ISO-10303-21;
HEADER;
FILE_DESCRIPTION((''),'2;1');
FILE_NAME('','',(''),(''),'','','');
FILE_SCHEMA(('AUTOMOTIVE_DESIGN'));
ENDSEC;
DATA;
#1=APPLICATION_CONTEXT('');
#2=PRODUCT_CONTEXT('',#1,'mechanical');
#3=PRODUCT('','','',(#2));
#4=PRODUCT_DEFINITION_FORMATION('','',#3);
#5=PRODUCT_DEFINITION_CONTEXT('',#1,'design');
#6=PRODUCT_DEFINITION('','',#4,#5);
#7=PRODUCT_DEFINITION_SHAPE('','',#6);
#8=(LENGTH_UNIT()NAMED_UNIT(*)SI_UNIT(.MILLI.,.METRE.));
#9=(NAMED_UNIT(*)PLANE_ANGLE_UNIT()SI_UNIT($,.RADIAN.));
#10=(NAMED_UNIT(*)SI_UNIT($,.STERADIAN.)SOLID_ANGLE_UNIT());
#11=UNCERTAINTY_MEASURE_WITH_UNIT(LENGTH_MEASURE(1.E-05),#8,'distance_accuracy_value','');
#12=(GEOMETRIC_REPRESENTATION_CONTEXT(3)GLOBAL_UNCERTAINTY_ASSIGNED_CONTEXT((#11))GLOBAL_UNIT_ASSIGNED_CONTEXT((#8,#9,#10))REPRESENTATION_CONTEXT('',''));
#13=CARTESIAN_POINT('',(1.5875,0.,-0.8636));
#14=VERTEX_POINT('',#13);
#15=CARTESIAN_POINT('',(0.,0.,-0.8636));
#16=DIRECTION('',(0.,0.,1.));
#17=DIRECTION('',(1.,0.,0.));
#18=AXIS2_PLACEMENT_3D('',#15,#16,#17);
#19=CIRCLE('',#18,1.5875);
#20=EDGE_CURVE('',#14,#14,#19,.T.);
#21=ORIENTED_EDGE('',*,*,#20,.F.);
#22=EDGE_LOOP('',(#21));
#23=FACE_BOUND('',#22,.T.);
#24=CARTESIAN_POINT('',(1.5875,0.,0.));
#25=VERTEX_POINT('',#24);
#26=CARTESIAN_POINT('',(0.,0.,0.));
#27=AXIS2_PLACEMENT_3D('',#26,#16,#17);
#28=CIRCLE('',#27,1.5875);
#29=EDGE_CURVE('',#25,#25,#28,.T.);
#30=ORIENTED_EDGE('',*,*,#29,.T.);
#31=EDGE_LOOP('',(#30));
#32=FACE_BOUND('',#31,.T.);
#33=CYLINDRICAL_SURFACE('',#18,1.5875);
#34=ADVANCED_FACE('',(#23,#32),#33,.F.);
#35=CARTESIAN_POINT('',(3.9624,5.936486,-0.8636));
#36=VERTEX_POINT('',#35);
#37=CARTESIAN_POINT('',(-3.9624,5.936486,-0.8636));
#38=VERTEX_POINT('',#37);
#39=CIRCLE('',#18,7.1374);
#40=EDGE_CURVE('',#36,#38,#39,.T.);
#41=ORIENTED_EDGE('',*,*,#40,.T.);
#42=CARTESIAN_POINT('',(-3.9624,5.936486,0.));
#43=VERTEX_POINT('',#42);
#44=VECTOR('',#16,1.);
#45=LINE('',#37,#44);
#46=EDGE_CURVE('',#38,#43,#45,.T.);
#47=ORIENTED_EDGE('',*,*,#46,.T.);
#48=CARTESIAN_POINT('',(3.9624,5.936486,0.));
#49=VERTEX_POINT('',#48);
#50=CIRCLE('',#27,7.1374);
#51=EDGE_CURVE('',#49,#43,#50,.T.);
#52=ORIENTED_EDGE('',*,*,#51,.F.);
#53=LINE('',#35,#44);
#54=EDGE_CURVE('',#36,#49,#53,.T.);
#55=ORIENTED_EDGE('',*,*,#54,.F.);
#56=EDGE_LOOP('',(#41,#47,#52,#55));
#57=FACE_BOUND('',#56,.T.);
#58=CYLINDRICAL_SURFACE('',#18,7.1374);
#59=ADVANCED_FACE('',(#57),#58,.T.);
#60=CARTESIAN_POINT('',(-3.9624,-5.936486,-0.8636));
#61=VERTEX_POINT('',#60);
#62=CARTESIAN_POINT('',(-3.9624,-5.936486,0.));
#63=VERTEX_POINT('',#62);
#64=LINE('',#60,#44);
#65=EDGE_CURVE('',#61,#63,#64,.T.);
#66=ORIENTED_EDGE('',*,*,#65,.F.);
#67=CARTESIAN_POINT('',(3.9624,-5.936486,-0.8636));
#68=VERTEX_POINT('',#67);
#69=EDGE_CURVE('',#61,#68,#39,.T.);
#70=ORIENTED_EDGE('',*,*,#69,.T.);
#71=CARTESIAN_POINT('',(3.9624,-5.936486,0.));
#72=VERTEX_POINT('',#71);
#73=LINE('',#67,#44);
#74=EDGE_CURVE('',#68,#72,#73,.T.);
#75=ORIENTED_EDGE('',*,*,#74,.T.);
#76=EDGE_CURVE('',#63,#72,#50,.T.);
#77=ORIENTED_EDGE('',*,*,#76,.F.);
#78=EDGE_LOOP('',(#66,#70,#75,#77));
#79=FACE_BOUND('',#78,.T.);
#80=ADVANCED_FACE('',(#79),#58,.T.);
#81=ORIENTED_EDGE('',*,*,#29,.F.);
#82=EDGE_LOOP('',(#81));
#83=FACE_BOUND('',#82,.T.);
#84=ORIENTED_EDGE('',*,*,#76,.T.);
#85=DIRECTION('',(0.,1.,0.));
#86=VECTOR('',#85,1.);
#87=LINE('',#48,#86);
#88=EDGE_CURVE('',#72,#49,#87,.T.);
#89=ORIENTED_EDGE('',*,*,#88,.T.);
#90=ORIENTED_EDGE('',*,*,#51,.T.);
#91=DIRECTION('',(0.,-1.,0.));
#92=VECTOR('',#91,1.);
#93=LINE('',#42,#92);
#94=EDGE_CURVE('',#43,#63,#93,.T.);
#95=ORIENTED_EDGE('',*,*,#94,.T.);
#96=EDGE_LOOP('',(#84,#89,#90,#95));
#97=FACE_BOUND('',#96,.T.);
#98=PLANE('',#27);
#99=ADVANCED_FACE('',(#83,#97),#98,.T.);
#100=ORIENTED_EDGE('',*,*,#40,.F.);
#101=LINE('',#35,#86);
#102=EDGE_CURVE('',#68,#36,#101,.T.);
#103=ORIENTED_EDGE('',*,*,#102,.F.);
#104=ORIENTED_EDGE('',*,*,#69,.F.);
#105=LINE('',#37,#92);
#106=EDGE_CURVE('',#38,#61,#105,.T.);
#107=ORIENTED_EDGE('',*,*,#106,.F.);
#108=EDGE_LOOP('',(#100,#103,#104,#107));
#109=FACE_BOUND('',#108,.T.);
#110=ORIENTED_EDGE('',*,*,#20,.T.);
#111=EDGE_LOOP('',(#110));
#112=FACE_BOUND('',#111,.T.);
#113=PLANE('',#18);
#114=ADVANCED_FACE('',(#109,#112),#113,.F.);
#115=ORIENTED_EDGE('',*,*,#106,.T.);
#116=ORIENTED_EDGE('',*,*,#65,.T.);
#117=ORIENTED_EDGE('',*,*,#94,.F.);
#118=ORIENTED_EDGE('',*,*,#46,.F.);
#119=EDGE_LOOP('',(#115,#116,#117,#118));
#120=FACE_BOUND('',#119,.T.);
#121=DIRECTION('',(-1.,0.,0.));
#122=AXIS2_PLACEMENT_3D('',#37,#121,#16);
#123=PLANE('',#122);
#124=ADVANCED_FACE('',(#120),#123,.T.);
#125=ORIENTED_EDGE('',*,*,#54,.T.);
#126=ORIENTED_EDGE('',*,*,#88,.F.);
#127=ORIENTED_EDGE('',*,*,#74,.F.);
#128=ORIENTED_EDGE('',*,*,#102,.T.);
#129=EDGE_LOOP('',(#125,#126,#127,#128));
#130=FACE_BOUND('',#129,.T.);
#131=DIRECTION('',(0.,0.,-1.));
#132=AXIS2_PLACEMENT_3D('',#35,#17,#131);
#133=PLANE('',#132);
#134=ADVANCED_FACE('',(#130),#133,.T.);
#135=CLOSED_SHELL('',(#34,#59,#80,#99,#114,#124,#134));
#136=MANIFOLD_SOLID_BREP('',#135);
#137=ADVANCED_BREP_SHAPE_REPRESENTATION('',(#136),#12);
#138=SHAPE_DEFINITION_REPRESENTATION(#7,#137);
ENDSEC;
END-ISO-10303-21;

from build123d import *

# Parameters (mm, degrees)
SKETCH1_R      = 1.5875
EXTRUDE1_DEPTH = 0.8636


with BuildPart() as part:
    # Sketch1 → Extrude1 (new body)
    with BuildSketch(Plane.XY):
        with BuildLine():
            Line((-3.9624, 5.936485913), (-3.9624, -5.936485913))
            ThreePointArc((-3.9624, -5.936485913), (0, -7.1374), (3.9624, -5.936485913))
            Line((3.9624, -5.936485913), (3.9624, 5.936485913))
            ThreePointArc((3.9624, 5.936485913), (0, 7.1374), (-3.9624, 5.936485913))
        make_face()
        Circle(SKETCH1_R, mode=Mode.SUBTRACT)
    extrude(amount=-EXTRUDE1_DEPTH)


solid = part.part
